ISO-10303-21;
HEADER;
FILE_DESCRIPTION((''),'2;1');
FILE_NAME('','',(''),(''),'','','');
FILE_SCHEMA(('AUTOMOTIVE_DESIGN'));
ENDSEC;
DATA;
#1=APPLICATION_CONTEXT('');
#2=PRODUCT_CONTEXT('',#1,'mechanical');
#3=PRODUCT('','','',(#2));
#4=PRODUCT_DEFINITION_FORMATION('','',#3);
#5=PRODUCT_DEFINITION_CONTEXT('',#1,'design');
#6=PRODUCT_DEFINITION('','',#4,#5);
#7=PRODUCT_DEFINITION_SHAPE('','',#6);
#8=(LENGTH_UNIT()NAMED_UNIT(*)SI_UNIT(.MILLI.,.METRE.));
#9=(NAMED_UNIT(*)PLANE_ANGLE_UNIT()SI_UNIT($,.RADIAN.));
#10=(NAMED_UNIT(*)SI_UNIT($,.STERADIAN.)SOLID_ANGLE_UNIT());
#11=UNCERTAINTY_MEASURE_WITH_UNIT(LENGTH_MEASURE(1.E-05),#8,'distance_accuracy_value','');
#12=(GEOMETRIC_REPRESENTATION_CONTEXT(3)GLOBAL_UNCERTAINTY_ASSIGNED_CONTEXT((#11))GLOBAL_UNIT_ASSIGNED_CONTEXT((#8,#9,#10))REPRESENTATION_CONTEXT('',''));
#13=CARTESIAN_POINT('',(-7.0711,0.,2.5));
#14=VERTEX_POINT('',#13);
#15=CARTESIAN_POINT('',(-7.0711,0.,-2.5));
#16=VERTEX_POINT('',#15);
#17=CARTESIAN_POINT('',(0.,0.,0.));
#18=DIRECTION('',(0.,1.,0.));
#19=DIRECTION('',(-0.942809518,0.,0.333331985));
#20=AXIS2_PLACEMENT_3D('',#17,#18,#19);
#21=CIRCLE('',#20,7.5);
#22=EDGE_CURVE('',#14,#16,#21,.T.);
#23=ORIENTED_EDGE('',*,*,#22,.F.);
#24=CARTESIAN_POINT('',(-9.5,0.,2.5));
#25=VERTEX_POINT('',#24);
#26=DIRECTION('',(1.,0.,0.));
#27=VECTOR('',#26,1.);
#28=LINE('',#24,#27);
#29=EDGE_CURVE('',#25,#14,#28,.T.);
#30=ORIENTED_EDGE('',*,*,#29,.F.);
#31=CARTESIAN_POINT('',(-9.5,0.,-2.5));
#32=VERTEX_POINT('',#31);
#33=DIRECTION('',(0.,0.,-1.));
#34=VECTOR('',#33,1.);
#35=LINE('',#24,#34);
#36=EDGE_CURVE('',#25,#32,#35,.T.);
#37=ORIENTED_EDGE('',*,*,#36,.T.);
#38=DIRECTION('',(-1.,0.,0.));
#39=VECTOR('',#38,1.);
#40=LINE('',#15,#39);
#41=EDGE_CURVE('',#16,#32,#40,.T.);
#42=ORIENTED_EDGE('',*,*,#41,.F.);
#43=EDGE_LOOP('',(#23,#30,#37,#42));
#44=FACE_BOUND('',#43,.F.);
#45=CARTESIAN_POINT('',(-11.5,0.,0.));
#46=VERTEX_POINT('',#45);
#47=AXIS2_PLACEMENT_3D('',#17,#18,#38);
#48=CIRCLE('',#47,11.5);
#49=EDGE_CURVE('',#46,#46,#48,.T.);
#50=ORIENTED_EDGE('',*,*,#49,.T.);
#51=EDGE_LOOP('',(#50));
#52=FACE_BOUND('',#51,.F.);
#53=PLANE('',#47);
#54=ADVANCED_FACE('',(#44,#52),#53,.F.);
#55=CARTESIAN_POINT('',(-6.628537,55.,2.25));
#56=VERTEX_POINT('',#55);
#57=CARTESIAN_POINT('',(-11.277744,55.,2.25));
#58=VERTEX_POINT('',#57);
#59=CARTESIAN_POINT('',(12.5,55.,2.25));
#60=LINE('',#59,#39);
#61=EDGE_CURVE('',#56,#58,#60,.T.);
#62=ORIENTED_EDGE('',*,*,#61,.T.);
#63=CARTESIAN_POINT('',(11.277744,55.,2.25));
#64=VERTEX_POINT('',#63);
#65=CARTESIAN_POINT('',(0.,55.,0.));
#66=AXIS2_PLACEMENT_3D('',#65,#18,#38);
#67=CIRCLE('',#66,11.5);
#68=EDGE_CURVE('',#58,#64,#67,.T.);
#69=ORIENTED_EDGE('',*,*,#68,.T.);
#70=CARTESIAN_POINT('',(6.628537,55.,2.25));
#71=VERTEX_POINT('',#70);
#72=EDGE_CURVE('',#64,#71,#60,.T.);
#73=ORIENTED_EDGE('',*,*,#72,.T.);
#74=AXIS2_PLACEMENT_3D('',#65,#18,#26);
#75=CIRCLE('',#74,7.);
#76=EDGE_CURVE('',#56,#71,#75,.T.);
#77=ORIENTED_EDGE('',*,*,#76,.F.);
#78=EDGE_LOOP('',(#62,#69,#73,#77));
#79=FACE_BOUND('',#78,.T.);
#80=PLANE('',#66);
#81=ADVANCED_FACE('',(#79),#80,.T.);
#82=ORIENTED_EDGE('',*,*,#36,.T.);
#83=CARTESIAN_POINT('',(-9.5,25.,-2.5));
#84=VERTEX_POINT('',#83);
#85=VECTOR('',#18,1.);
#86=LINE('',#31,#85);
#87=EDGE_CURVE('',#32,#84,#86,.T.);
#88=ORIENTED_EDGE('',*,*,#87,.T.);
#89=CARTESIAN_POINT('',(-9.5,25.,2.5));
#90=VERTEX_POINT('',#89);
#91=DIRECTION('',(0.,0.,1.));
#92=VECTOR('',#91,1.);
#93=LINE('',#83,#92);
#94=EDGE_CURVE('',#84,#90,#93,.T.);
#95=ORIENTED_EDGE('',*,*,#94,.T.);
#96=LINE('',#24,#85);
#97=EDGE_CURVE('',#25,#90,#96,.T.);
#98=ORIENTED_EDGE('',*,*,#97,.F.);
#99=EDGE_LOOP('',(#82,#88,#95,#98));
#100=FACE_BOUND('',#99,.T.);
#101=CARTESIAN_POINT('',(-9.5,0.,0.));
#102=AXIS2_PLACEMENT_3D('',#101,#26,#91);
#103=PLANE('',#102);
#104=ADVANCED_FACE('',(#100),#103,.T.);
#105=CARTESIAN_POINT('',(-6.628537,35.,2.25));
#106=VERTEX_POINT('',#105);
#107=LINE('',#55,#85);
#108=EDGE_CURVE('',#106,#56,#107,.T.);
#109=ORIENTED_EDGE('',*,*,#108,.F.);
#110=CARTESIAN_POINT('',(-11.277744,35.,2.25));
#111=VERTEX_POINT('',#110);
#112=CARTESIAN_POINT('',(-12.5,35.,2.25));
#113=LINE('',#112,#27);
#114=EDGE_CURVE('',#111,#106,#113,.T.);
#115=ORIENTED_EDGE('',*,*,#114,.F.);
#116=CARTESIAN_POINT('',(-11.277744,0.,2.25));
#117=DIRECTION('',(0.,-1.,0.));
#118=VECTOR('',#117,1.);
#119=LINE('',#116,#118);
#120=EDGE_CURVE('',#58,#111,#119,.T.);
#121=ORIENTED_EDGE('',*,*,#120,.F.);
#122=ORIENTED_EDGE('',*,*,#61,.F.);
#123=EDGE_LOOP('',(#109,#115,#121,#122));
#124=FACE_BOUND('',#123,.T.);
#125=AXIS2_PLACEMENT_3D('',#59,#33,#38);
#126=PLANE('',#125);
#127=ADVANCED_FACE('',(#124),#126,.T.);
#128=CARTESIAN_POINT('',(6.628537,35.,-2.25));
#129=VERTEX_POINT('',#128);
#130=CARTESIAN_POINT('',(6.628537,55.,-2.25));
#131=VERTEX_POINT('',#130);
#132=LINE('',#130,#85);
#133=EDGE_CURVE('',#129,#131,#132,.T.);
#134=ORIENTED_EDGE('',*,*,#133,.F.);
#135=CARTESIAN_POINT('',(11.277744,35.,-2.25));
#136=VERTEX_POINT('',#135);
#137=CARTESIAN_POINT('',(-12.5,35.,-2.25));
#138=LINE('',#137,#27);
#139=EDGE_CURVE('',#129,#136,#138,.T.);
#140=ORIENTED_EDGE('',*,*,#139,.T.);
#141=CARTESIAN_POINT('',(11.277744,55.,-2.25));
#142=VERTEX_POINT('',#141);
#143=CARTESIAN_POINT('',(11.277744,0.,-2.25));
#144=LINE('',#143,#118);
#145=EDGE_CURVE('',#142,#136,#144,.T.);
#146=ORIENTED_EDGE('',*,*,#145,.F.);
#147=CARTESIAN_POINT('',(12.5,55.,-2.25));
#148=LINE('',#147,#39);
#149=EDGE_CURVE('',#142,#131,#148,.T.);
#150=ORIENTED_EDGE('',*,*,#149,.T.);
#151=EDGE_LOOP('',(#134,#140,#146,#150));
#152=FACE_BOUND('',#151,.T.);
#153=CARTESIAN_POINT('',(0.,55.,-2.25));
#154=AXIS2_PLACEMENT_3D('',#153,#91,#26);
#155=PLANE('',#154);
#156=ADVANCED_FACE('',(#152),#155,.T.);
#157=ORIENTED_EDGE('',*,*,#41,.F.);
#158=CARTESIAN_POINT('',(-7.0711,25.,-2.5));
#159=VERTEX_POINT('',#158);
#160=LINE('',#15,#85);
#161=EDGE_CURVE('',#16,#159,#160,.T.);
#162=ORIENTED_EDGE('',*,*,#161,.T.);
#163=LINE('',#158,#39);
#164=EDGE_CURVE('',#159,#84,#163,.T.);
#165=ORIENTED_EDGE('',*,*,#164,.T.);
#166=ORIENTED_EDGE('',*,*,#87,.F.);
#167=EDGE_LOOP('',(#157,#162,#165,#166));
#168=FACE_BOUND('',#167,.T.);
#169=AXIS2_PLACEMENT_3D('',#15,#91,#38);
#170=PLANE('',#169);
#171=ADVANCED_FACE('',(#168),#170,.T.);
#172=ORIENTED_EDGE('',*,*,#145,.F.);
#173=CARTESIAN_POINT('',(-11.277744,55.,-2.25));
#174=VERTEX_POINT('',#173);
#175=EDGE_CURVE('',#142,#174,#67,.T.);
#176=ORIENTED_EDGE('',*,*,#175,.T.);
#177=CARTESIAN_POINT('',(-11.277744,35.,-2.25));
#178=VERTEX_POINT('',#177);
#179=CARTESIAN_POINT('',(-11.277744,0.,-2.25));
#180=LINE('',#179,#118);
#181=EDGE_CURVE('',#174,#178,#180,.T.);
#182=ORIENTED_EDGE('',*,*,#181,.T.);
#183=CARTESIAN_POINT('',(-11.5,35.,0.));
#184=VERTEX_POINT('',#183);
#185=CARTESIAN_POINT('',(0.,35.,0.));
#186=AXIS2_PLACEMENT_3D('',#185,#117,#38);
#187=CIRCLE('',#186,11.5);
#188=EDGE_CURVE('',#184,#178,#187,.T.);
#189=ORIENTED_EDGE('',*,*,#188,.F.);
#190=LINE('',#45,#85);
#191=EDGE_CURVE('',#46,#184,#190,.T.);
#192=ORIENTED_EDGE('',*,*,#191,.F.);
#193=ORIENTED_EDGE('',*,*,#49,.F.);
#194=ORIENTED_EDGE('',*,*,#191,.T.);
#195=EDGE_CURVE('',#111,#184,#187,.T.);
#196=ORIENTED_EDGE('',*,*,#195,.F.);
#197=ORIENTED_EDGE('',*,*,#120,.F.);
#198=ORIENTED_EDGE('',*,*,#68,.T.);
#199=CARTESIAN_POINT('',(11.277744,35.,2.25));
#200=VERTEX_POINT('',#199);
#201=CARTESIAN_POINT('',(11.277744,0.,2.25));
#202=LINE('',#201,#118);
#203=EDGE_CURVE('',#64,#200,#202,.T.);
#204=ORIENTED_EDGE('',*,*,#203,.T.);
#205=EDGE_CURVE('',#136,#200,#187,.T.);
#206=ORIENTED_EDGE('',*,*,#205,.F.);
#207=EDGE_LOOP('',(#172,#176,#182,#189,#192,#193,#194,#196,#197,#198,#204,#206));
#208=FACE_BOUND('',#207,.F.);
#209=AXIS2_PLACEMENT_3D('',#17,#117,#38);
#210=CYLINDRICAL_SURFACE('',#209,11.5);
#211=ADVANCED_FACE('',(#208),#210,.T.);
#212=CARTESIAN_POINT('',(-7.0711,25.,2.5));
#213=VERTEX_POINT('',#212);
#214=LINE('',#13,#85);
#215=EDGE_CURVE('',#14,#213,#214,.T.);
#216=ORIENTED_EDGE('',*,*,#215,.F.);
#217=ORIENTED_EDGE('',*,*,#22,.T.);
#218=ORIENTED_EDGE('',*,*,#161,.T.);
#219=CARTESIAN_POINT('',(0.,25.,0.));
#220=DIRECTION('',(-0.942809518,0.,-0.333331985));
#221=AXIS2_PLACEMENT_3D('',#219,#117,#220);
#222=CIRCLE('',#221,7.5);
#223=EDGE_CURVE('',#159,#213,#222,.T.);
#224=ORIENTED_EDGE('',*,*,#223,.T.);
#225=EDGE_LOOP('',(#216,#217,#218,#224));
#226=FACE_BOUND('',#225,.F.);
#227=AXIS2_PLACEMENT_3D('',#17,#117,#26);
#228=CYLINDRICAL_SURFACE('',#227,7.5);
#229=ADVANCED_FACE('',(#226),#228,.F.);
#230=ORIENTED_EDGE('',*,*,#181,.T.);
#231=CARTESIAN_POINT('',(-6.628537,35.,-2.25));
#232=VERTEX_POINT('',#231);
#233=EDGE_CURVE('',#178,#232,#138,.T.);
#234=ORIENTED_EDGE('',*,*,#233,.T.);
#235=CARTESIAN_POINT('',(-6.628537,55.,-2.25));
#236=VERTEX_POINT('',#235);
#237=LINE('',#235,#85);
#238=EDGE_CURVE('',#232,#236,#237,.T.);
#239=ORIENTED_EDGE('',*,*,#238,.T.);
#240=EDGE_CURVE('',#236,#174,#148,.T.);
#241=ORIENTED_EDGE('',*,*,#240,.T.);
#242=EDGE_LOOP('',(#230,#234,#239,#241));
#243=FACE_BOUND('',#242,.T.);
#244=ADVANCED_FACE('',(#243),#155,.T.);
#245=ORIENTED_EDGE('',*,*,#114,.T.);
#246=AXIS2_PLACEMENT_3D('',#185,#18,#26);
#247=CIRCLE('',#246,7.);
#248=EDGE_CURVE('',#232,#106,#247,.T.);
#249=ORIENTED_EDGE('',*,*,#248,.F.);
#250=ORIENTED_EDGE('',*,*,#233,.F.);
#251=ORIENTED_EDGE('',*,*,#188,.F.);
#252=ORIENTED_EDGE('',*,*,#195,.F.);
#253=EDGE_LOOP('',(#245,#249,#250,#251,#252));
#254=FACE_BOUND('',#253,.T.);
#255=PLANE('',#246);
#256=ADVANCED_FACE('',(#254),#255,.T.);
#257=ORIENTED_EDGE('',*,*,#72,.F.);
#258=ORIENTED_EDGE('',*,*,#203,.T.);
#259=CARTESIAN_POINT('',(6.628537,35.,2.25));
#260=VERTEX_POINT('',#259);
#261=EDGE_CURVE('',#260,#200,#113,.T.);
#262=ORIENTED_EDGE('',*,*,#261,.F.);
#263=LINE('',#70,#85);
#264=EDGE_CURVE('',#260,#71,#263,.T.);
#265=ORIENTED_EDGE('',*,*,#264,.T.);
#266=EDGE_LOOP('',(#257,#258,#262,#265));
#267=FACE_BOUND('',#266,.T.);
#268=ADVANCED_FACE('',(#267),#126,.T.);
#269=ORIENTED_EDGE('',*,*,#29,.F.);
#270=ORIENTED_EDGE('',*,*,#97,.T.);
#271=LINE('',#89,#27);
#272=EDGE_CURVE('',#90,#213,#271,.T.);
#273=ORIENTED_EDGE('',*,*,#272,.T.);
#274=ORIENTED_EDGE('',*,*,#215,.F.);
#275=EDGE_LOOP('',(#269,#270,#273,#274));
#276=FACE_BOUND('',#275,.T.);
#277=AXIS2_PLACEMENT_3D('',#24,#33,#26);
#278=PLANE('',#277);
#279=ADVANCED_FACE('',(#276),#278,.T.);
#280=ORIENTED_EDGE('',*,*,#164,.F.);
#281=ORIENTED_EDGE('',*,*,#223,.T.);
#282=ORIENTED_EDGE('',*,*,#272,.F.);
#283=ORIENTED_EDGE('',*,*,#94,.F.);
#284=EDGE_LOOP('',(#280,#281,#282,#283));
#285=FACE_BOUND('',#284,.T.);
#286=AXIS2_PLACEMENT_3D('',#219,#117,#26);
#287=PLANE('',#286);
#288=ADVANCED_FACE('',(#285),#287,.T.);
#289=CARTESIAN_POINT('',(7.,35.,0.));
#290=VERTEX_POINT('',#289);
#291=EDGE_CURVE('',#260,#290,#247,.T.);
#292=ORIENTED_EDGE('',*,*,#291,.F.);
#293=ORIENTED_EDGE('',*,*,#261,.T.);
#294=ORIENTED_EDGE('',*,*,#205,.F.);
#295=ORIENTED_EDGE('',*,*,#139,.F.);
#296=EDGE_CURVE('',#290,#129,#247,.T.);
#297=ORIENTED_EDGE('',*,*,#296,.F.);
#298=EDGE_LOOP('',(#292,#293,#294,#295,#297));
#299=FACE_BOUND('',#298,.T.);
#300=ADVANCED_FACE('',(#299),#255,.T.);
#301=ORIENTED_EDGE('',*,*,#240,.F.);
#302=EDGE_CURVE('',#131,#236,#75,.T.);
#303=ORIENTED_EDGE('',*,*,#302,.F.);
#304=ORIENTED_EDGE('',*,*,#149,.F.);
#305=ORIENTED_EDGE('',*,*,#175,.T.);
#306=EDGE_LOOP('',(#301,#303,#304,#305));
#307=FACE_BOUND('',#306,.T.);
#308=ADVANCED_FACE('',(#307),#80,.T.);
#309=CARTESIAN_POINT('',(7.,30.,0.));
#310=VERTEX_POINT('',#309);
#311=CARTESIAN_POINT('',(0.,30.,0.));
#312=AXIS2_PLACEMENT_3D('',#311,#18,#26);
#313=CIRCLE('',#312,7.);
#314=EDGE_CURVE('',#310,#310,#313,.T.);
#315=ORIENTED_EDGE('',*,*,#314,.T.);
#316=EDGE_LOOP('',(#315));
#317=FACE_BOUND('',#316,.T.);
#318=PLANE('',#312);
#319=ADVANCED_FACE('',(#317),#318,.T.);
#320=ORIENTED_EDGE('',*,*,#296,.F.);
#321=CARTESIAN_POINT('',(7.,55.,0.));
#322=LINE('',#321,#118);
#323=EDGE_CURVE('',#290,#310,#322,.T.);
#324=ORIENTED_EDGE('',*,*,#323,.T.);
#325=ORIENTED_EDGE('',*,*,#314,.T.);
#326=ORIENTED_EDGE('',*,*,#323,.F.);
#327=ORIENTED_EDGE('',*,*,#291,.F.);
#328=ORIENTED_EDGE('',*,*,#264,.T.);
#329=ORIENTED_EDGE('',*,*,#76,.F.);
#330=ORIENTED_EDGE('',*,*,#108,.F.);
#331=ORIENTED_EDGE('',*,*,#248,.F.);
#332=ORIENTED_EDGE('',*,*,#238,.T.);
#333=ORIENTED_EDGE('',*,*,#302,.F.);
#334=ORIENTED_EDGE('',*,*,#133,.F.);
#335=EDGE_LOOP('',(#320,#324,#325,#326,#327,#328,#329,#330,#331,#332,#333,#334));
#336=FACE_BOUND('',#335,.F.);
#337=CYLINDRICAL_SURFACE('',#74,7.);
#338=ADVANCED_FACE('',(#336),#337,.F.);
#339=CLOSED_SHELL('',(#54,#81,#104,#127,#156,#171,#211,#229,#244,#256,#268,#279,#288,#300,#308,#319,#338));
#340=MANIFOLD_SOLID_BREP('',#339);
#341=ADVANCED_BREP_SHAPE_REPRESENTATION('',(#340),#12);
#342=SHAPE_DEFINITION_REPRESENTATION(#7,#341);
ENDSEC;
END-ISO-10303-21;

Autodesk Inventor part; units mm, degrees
ref_plane "YZ Plane" through (0, 0, 0) normal (1, 0, 0) x (0, 1, 0)
ref_plane "XZ Plane" through (0, 0, 0) normal (0, 1, 0) x (-1, 0, 0)
ref_plane "XY Plane" through (0, 0, 0) normal (0, 0, 1) x (1, 0, 0)
sketch "Skizze1" plane through (0, 0, 0) normal (0, 1, 0) x (-1, 0, 0)
  circle A0 centre (0, 0) radius 11.5
  dimension "d0" = 23
extrude "Extrusion1" add sketch "Skizze1" along normal blind 55
sketch "Skizze2" plane through (0, 55, 0) normal (0, 1, 0) x (1, 0, 0)
  circle A0 centre (0, 0) radius 7
  dimension "d3" = 14
extrude "Extrusion2" cut sketch "Skizze2" against normal blind 25
sketch "Skizze3" plane through (0, 55, 0) normal (0, 1, 0) x (1, 0, 0)
  line L0 (12.5, -2.25) -> (-12.5, -2.25)
  line L1 (-12.5, -2.25) -> (-12.5, 2.25)
  line L2 (-12.5, 2.25) -> (12.5, 2.25)
  line L3 (12.5, 2.25) -> (12.5, -2.25)
  line L4 (-17.5, 0) -> (17.5, 0) projected
  line L5 (0, 16.1) -> (0, -16.1) projected
  point P0 (0, 0)
  dimension "d6" = 4.5
  dimension "d7" = 25
extrude "Extrusion3" cut sketch "Skizze3" against normal blind 20
sketch "Skizze4" plane through (0, 0, 0) normal (0, -1, 0) x (1, 0, 0)
  circle A0 centre (0, 0) radius 7.5
  line L0 (-7.0711, -2.5) -> (-9.5, -2.5)
  line L1 (-9.5, -2.5) -> (-9.5, 2.5)
  line L2 (-9.5, 2.5) -> (-7.0711, 2.5)
  line L3 (-7.0711, 2.5) -> (-7.0711, -2.5)
  line L4 (-16.1, 0) -> (16.1, 0) projected
  point P0 (7.5, 0)
  point P1 (-7.0711, 2.5)
  dimension "d10" = 15
  dimension "d12" = 17
  dimension "d13" = 5
extrude "Extrusion4" cut sketch "Skizze4" against normal blind 25
properties part number "Honigfschleuder Motorkupplung"
